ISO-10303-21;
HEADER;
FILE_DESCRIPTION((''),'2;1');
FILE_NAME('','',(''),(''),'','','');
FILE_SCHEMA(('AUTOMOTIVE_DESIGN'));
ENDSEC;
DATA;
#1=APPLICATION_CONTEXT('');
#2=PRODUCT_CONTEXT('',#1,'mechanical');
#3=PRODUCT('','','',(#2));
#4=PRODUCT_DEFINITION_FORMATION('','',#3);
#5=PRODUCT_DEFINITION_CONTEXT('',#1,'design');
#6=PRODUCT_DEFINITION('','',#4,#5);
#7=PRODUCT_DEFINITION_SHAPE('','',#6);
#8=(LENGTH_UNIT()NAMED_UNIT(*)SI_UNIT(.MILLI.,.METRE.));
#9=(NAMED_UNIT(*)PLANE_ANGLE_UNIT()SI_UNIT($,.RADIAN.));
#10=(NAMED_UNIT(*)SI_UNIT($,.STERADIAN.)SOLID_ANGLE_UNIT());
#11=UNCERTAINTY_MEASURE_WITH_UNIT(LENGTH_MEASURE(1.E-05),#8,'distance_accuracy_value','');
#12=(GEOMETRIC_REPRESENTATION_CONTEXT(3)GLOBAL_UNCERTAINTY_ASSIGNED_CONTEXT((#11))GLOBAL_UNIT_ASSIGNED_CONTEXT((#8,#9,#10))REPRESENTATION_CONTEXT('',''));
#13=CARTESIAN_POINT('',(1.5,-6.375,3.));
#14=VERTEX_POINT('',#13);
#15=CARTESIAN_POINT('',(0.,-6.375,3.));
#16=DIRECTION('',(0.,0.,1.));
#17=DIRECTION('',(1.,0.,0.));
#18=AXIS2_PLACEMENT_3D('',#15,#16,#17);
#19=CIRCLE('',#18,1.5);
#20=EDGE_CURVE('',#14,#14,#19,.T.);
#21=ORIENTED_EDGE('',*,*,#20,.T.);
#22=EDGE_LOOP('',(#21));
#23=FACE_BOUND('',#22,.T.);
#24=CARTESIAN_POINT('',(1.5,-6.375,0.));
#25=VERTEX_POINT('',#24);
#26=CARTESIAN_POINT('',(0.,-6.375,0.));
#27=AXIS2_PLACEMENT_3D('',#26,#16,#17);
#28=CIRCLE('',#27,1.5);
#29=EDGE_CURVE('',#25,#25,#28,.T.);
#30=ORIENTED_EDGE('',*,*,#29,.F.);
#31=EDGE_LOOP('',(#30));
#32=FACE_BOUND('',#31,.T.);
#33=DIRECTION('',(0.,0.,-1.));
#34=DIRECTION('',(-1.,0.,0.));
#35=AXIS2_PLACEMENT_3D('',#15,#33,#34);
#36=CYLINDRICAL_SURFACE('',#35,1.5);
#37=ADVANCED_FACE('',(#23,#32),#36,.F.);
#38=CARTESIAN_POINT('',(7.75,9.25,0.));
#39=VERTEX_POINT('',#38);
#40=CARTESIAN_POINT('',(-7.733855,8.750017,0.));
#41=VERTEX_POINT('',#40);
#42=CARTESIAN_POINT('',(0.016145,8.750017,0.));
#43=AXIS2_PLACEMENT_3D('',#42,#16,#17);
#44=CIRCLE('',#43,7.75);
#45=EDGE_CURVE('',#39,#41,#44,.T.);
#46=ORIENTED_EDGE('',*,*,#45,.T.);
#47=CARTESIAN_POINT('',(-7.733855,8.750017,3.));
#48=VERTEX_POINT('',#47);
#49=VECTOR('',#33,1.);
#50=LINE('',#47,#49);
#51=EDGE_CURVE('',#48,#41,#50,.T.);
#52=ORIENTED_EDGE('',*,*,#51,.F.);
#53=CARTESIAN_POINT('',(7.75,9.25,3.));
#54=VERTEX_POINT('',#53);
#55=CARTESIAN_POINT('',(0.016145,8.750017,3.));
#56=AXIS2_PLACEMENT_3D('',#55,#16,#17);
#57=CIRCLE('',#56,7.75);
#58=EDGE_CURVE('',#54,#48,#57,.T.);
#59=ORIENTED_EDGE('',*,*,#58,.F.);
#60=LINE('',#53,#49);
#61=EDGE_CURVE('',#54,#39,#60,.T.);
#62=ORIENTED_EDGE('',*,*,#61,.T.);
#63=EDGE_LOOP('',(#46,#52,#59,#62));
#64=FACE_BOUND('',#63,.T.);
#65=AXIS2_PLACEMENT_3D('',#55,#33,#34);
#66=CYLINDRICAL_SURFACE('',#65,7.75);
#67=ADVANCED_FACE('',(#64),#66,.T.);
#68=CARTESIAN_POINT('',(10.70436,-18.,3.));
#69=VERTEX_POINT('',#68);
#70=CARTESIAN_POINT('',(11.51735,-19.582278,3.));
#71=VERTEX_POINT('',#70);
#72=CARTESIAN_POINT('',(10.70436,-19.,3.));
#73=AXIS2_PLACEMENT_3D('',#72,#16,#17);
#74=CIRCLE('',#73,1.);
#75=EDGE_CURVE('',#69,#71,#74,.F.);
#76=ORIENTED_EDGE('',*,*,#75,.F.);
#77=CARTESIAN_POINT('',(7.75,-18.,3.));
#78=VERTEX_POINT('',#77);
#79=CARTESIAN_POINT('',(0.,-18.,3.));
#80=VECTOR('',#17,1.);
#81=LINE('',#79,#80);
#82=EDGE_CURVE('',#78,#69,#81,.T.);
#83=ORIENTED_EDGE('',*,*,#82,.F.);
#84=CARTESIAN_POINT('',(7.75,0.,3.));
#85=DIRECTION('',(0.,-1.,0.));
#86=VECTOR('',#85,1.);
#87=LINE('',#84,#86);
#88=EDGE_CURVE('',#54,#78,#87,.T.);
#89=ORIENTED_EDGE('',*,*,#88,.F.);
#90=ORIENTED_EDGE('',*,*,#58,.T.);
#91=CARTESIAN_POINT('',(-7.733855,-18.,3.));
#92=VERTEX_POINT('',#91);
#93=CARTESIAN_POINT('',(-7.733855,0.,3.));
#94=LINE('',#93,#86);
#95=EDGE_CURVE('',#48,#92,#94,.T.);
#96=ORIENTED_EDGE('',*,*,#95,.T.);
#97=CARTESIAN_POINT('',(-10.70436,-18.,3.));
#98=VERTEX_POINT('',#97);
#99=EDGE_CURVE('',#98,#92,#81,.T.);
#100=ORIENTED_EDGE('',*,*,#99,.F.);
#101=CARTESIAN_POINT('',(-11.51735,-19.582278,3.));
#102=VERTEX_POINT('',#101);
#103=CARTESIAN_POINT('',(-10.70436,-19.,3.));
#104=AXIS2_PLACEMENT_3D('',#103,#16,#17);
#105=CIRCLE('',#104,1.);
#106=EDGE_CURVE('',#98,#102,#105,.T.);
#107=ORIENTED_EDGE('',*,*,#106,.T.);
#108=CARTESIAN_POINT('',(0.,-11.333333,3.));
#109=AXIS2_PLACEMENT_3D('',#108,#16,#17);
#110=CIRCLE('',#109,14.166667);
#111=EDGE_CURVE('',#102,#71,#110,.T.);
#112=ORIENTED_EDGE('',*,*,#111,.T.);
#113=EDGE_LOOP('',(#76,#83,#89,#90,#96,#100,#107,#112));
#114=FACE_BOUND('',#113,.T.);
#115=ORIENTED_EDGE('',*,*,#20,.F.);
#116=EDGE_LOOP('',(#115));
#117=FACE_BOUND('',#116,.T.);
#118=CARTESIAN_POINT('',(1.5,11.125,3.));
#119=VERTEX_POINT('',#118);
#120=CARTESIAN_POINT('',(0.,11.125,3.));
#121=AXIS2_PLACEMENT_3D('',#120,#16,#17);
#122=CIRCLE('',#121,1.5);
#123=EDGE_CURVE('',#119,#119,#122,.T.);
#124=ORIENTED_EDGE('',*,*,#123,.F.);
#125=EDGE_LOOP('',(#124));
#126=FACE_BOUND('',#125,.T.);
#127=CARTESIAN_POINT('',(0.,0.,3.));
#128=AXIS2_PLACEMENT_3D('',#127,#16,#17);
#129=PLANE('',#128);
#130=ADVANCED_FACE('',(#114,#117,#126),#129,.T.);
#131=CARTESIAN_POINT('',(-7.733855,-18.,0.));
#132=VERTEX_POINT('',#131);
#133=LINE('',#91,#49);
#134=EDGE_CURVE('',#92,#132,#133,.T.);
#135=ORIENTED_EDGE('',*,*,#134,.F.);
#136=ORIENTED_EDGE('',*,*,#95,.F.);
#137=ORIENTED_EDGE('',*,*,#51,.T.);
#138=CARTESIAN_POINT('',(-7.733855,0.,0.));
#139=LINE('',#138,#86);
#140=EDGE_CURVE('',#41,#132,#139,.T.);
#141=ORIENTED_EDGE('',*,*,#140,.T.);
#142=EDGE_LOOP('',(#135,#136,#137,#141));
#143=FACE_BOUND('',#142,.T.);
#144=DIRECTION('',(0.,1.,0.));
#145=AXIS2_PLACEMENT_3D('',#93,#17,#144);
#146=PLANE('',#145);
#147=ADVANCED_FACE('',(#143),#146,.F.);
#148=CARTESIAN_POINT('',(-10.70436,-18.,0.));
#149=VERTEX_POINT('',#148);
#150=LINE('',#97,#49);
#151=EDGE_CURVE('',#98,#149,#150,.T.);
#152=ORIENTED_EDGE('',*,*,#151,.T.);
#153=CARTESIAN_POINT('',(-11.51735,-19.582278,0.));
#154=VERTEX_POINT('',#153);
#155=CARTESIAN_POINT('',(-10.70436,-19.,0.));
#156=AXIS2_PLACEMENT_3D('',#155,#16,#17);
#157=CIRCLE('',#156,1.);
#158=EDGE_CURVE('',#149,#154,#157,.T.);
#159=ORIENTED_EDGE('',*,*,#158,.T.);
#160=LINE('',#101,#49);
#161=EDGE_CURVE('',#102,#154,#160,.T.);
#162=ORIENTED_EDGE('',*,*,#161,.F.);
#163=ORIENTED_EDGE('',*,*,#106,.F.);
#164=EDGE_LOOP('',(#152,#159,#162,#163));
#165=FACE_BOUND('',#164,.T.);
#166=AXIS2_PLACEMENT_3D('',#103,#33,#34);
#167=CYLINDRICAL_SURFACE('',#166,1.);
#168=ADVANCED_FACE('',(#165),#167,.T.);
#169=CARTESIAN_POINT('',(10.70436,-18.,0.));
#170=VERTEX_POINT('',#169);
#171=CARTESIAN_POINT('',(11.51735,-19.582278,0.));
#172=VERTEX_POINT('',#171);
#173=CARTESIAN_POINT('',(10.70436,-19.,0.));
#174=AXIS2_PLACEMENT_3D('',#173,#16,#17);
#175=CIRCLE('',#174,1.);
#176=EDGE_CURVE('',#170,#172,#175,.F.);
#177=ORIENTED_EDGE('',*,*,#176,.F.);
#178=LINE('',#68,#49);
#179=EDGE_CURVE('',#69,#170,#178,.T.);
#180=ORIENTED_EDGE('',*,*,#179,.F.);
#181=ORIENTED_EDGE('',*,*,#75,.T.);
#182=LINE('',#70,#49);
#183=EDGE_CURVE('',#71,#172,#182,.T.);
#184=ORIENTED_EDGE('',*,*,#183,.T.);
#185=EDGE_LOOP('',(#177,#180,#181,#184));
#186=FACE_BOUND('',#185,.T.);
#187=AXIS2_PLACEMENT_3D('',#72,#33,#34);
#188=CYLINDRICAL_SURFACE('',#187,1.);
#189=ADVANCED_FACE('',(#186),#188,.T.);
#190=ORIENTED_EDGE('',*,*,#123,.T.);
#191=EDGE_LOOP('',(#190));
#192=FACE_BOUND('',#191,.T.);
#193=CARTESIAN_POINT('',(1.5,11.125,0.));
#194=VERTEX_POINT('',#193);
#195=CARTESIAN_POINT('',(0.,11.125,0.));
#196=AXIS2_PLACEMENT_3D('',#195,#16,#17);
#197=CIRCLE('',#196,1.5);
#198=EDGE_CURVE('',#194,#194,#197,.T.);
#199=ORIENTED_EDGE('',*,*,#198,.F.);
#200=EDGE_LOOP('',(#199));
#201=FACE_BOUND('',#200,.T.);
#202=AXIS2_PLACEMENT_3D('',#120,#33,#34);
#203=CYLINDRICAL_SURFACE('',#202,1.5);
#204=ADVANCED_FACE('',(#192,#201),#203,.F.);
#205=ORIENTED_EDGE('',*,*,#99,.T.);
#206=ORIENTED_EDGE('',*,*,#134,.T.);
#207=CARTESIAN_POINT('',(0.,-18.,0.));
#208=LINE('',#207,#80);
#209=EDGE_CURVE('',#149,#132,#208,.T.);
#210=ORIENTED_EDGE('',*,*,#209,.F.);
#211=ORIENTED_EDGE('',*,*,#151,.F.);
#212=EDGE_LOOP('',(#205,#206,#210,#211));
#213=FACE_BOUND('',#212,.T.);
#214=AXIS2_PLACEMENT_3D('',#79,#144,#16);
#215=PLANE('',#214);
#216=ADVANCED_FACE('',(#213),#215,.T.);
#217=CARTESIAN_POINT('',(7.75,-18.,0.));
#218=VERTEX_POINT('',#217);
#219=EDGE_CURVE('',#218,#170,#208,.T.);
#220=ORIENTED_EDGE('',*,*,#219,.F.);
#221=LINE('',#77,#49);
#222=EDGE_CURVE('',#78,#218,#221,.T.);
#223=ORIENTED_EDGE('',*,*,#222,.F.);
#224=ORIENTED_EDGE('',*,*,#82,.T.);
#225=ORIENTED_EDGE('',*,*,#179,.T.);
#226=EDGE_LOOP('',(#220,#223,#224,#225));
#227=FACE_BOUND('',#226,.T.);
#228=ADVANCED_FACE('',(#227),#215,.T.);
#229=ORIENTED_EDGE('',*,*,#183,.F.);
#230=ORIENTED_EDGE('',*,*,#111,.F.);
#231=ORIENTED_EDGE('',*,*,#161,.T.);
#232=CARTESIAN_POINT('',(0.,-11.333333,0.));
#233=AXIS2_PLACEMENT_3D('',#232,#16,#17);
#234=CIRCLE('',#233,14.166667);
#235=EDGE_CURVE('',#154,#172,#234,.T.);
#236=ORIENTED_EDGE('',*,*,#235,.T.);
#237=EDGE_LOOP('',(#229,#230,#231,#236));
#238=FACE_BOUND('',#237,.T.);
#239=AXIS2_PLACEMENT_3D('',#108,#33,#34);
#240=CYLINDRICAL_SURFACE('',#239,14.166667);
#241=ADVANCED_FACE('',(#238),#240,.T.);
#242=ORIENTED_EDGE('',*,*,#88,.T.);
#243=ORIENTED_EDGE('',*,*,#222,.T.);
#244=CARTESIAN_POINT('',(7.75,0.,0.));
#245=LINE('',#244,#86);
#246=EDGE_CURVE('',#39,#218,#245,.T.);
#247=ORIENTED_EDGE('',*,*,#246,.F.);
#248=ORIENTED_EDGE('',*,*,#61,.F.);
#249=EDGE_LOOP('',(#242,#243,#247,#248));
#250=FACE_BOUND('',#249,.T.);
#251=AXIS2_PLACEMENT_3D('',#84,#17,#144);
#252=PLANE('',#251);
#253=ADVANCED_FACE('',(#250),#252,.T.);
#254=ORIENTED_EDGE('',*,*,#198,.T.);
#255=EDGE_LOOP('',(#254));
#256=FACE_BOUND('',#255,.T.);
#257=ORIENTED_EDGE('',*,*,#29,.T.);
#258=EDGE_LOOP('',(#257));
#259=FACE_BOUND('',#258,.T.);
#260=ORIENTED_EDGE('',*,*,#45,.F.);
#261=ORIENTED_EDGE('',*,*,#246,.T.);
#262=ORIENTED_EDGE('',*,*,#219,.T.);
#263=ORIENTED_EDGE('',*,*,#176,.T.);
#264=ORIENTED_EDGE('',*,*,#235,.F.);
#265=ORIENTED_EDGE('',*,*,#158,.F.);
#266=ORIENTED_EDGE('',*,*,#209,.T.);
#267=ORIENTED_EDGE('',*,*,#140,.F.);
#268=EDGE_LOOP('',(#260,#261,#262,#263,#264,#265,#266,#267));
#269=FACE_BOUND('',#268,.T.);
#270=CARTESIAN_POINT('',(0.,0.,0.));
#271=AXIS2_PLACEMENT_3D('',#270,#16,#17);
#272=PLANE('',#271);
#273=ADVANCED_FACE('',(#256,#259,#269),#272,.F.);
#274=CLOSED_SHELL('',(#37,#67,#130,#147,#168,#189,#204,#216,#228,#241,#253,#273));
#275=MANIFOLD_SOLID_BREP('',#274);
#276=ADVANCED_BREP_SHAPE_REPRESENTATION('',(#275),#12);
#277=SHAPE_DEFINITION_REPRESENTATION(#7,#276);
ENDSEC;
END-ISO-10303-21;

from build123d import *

# Parameters (mm, degrees)
SKETCH1_R           = 1.5
BOSS_EXTRUDE2_DEPTH = 3


with BuildPart() as part:
    # Sketch1 → Boss-Extrude2 (new body)
    with BuildSketch(Plane.XY):
        with BuildLine():
            Line((-7.733855236, 8.750016816), (-7.733855236, -18))
            Line((-7.733855236, -18), (7.75, -18))
            Line((7.75, -18), (7.75, 9.25))
            ThreePointArc((7.75, 9.25), (-0.233977125, 16.495979574), (-7.733855236, 8.750016816))
        make_face()
        with Locations((0, -6.375)):
            Circle(SKETCH1_R, mode=Mode.SUBTRACT)
        with Locations((0, 11.125)):
            Circle(SKETCH1_R, mode=Mode.SUBTRACT)
        with BuildLine():
            ThreePointArc((10.704360482, -18), (11.593820566, -18.542987134), (11.517349886, -19.582278481))
            ThreePointArc((11.517349886, -19.582278481), (0, -25.5), (-11.517349886, -19.582278481))
            ThreePointArc((-11.517349886, -19.582278481), (-11.593820566, -18.542987134), (-10.704360482, -18))
            Line((-10.704360482, -18), (10.704360482, -18))
        make_face()
    extrude(amount=BOSS_EXTRUDE2_DEPTH)


solid = part.part
